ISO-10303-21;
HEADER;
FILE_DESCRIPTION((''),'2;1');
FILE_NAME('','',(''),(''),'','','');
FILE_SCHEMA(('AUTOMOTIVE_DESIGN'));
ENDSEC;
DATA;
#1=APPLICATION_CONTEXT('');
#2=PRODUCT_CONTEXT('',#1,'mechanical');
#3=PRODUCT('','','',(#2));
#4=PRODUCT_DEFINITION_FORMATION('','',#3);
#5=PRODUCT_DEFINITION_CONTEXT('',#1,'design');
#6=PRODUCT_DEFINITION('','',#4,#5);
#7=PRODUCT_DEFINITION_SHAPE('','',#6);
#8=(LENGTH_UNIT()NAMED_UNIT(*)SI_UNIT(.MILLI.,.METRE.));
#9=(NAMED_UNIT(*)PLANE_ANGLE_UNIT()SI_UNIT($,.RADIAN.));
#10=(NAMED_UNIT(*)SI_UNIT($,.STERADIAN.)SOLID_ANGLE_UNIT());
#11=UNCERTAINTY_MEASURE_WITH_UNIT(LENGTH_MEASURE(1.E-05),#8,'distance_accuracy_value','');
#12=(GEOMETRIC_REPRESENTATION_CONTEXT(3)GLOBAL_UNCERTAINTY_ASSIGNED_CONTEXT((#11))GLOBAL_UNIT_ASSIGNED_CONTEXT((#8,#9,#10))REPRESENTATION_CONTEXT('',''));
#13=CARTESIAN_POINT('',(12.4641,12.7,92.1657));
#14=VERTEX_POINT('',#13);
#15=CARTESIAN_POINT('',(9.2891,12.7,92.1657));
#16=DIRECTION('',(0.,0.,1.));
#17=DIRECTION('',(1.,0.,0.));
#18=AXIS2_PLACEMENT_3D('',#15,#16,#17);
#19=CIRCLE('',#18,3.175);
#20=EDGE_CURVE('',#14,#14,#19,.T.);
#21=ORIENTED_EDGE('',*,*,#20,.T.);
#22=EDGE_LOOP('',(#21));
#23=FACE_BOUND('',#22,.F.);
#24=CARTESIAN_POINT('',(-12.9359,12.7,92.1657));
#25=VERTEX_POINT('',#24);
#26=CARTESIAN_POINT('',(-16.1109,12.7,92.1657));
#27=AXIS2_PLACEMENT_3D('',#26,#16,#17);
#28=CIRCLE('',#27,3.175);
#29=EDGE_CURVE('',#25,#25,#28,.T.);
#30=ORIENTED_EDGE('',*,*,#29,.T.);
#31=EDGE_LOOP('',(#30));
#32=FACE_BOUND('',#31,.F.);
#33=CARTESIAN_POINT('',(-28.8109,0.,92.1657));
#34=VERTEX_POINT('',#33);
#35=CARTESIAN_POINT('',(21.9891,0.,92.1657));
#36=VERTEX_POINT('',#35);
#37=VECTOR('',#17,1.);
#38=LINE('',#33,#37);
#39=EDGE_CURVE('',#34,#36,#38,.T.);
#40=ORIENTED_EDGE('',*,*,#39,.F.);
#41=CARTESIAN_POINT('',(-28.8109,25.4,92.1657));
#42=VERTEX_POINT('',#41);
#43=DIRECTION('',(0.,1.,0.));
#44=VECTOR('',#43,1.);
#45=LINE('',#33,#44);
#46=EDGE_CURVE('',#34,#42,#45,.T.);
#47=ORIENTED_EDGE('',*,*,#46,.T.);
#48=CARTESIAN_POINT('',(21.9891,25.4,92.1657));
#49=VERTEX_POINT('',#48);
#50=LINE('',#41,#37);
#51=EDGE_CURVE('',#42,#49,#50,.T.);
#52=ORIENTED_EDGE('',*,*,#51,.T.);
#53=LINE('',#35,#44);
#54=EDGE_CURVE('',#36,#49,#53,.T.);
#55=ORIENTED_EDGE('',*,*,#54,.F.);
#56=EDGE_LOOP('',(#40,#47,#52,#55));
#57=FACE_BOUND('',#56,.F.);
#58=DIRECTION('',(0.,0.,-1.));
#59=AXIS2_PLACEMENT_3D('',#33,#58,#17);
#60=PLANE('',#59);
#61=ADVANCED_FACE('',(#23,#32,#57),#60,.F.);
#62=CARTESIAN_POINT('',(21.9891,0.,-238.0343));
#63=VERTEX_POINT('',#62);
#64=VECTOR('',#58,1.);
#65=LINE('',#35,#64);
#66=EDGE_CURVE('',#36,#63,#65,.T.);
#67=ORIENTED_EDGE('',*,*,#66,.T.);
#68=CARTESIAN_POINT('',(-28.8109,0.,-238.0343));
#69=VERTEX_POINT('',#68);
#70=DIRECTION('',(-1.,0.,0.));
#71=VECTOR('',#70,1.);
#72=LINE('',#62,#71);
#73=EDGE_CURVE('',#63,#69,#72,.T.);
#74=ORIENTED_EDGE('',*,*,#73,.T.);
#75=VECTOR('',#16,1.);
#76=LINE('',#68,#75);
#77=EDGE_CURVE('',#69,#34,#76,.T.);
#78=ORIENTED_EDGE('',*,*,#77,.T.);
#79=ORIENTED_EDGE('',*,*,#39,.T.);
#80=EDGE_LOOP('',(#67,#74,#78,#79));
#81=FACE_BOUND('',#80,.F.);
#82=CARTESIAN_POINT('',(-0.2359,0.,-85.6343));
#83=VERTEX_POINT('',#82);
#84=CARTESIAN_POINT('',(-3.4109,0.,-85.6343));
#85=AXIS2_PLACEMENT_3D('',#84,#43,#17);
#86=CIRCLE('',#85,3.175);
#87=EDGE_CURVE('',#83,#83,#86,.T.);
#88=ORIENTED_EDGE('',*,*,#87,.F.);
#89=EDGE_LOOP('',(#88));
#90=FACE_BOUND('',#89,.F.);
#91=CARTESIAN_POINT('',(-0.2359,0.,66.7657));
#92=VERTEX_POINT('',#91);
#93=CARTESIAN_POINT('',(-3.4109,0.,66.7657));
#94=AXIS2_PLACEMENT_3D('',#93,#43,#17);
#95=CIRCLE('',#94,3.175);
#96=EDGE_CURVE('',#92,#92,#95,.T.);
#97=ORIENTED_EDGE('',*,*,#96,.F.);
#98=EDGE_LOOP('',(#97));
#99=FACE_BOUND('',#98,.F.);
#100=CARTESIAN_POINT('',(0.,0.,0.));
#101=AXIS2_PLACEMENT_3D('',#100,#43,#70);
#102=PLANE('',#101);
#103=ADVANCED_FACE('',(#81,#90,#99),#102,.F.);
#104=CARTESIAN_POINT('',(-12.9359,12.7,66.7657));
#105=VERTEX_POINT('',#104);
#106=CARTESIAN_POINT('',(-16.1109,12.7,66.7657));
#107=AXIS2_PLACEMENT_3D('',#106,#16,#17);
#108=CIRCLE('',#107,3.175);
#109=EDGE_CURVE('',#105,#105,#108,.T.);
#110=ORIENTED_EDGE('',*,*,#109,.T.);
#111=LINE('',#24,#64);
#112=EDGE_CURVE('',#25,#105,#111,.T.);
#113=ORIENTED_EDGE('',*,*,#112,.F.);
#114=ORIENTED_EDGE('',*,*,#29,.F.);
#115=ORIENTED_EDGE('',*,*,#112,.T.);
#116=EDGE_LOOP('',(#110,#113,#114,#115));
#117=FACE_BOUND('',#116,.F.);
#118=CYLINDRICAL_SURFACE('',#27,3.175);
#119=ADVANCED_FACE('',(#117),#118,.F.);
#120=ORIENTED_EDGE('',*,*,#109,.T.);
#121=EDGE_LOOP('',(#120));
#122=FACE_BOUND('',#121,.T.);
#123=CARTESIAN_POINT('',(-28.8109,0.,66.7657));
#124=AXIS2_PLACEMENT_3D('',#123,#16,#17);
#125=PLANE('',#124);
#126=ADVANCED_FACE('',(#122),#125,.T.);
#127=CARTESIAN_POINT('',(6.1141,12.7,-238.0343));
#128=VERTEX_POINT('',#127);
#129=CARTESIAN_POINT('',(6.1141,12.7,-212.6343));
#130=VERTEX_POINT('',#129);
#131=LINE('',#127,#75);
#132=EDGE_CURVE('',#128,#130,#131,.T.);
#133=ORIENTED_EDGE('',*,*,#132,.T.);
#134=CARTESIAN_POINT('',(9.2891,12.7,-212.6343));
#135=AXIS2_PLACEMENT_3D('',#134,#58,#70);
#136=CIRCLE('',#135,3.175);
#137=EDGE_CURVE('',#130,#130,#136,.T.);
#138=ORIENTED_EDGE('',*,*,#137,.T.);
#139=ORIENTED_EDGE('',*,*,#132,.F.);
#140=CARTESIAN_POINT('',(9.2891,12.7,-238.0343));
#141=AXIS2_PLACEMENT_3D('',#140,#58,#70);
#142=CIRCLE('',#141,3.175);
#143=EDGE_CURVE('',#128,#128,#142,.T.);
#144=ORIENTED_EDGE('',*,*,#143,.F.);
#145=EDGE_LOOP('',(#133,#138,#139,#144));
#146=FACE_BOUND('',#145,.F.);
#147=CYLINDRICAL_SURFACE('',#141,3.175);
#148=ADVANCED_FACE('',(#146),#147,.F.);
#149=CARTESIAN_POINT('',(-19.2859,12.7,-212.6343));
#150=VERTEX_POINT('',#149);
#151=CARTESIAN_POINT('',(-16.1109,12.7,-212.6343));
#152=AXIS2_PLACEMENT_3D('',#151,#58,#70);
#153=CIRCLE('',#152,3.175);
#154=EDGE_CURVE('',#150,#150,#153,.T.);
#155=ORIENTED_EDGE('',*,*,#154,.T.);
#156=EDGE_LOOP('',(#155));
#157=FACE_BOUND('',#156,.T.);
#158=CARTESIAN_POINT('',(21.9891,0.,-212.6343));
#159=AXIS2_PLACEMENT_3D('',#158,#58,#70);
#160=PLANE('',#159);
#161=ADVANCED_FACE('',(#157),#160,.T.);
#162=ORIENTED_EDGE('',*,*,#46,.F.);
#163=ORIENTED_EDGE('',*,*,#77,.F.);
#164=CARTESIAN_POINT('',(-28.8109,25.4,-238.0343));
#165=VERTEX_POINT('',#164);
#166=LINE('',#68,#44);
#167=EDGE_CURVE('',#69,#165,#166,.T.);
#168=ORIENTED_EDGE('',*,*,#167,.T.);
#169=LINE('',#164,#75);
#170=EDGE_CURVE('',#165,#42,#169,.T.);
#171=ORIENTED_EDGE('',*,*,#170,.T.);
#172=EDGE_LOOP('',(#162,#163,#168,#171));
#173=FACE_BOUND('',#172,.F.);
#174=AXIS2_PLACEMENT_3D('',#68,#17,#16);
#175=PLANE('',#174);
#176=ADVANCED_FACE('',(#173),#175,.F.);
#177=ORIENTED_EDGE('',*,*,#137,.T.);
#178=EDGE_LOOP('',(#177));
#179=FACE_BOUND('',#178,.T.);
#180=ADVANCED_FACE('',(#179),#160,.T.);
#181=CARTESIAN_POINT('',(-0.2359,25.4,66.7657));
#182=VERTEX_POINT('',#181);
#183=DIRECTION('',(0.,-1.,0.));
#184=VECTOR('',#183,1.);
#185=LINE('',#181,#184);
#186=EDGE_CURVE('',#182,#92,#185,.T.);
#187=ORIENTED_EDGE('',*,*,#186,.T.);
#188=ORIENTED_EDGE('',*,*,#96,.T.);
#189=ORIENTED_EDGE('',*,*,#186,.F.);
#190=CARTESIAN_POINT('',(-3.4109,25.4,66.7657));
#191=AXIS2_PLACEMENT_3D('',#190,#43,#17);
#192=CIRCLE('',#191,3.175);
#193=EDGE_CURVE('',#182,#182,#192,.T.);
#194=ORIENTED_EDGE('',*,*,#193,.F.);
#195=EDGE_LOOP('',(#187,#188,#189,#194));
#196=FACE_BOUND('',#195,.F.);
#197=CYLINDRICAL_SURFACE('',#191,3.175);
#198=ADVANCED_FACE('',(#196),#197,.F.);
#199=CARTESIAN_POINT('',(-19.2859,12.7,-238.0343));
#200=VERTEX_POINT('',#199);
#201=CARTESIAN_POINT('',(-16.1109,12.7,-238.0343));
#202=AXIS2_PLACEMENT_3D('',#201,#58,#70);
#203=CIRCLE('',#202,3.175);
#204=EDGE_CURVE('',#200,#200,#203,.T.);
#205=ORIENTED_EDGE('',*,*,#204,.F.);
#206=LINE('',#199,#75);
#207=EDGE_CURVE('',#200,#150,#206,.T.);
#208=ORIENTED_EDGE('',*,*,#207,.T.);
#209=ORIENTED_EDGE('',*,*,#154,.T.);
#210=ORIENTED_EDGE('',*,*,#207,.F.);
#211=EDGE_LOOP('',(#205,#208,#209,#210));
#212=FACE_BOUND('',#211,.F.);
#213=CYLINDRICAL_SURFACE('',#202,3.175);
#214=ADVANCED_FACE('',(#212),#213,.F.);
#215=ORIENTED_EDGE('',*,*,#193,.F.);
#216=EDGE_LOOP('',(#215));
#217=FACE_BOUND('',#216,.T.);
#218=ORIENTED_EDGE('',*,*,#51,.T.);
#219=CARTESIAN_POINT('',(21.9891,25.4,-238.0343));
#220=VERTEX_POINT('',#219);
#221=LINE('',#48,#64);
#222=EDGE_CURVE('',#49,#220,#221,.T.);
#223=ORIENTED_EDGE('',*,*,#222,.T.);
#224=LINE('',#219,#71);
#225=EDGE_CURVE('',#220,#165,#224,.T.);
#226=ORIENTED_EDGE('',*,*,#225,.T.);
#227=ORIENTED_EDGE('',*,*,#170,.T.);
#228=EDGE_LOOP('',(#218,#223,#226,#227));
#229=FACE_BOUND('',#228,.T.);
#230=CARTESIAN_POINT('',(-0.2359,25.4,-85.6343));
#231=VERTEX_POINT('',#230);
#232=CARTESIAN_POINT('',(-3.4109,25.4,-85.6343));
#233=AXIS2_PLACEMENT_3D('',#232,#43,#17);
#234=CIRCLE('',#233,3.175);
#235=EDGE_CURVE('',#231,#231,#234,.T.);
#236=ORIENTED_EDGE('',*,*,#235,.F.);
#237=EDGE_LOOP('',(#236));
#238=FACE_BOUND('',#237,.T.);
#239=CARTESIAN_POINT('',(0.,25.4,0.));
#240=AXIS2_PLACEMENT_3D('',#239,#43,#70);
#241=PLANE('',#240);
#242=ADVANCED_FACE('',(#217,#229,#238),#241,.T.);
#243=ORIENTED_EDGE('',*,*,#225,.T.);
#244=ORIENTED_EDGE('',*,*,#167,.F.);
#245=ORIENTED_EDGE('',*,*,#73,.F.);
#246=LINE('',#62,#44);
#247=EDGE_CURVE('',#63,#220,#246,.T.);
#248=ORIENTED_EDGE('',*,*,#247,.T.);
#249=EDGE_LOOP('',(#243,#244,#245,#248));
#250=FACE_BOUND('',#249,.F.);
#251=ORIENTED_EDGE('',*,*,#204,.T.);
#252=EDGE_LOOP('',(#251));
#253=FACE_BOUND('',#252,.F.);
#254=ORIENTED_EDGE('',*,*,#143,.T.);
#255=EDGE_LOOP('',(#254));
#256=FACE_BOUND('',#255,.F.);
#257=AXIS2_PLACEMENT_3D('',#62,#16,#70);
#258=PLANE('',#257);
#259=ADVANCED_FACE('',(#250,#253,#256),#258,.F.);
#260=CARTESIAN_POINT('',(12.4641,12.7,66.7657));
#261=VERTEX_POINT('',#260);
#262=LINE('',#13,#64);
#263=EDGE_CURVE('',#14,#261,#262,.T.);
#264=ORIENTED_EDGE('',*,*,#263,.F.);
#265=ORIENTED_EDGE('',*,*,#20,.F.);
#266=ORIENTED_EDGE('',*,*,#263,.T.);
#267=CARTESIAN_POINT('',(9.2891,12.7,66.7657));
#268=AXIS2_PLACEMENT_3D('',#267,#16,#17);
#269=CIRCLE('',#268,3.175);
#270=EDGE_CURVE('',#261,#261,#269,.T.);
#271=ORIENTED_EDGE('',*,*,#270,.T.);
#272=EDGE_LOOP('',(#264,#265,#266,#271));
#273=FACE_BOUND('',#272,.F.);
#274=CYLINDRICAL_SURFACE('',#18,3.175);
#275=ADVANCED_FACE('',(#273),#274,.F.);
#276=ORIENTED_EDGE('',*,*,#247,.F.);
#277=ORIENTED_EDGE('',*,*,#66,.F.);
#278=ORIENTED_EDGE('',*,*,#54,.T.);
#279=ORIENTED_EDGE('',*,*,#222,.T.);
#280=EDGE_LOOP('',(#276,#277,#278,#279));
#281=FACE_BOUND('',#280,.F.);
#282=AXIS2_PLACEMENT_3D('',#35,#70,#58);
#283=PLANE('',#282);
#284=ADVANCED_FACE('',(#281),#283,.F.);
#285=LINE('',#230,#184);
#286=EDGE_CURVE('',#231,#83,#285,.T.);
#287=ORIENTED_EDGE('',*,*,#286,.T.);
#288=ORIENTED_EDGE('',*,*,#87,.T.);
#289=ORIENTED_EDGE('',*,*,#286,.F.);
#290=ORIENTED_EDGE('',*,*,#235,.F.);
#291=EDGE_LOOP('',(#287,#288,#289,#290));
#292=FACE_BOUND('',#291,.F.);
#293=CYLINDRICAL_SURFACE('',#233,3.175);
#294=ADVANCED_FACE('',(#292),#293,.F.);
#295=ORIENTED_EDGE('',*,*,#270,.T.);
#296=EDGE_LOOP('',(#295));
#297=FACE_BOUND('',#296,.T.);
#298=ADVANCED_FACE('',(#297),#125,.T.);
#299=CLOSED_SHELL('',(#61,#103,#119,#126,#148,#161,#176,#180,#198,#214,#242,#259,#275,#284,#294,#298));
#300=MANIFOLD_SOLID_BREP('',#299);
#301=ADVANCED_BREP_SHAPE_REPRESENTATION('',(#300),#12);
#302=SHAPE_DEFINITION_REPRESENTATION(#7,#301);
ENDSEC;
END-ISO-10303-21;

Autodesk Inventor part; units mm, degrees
ref_plane "YZ Plane" through (0, 0, 0) normal (1, 0, 0) x (0, 1, 0)
ref_plane "XZ Plane" through (0, 0, 0) normal (0, 1, 0) x (-1, 0, 0)
ref_plane "XY Plane" through (0, 0, 0) normal (0, 0, 1) x (1, 0, 0)
sketch "Sketch1" plane through (0, 0, 0) normal (0, 1, 0) x (-1, 0, 0)
  line L0 (28.8109, 92.1657) -> (-21.9891, 92.1657)
  line L1 (-21.9891, 92.1657) -> (-21.9891, -238.0343)
  line L2 (-21.9891, -238.0343) -> (28.8109, -238.0343)
  line L3 (28.8109, -238.0343) -> (28.8109, 92.1657)
  point P0 (0, 0)
  dimension "d0" = 50.8
  dimension "d1" = 330.2
extrude "Extrusion1" add sketch "Sketch1" along normal blind 25.4
sketch "Sketch2" plane through (-28.8109, 0, 92.1657) normal (0, 0, 1) x (1, 0, 0)
  line L0 (0, 0) -> (0, 25.4) projected
  line L1 (0, 12.7) -> (50.8, 12.7) construction
  line L2 (50.8, 0) -> (50.8, 25.4) projected
  circle A0 centre (12.7, 12.7) radius 3.175
  circle A1 centre (38.1, 12.7) radius 3.175
  line L3 (50.8, 25.4) -> (0, 25.4) construction
  line L4 (25.4, 25.4) -> (25.4, 0) construction
  line L5 (50.8, 0) -> (0, 0) construction
  point P0 (28.8109, 0)
  dimension "d4" = 6.35
  dimension "d5" = 6.35
  dimension "d6" = 12.7
  dimension "d7" = 12.7
extrude "Extrusion2" cut sketch "Sketch2" against normal blind 25.4
sketch "Sketch3" plane through (21.9891, 0, -238.0343) normal (0, 0, -1) x (-1, 0, 0)
  line L0 (0, 0) -> (0, 25.4) construction
  line L1 (0, 12.7) -> (50.8, 12.7) construction
  line L2 (50.8, 0) -> (50.8, 25.4) construction
  line L3 (50.8, 25.4) -> (0, 25.4) construction
  line L4 (25.4, 25.4) -> (25.4, 0) construction
  line L5 (50.8, 0) -> (0, 0) construction
  circle A0 centre (12.7, 12.7) radius 3.175 projected
  circle A1 centre (12.7, 12.7) radius 3.175 construction
  circle A2 centre (38.1, 12.7) radius 3.175 projected
  circle A3 centre (38.1, 12.7) radius 3.175 construction
  point P0 (21.9891, 0)
extrude "Extrusion3" cut sketch "Sketch3" against normal blind 25.4
sketch "Sketch4" plane through (0, 25.4, 0) normal (0, 1, 0) x (1, 0, 0)
  line L0 (-28.8109, -92.1657) -> (21.9891, -92.1657) construction
  line L1 (-3.4109, -92.1657) -> (-3.4109, 238.0343) construction
  line L2 (21.9891, 238.0343) -> (-28.8109, 238.0343) construction
  line L3 (-28.8109, 238.0343) -> (-28.8109, -92.1657) construction
  line L4 (-28.8109, 72.9343) -> (21.9891, 72.9343) construction
  line L5 (21.9891, -92.1657) -> (21.9891, 238.0343) construction
  circle A0 centre (-3.4109, -66.7657) radius 3.175
  circle A1 centre (-3.4109, 85.6343) radius 3.175
  point P0 (0, 0)
  dimension "d12" = 6.35
  dimension "d13" = 152.4
  dimension "d14" = 25.4
extrude "Extrusion4" cut sketch "Sketch4" against normal through all
properties part number "chair support"
